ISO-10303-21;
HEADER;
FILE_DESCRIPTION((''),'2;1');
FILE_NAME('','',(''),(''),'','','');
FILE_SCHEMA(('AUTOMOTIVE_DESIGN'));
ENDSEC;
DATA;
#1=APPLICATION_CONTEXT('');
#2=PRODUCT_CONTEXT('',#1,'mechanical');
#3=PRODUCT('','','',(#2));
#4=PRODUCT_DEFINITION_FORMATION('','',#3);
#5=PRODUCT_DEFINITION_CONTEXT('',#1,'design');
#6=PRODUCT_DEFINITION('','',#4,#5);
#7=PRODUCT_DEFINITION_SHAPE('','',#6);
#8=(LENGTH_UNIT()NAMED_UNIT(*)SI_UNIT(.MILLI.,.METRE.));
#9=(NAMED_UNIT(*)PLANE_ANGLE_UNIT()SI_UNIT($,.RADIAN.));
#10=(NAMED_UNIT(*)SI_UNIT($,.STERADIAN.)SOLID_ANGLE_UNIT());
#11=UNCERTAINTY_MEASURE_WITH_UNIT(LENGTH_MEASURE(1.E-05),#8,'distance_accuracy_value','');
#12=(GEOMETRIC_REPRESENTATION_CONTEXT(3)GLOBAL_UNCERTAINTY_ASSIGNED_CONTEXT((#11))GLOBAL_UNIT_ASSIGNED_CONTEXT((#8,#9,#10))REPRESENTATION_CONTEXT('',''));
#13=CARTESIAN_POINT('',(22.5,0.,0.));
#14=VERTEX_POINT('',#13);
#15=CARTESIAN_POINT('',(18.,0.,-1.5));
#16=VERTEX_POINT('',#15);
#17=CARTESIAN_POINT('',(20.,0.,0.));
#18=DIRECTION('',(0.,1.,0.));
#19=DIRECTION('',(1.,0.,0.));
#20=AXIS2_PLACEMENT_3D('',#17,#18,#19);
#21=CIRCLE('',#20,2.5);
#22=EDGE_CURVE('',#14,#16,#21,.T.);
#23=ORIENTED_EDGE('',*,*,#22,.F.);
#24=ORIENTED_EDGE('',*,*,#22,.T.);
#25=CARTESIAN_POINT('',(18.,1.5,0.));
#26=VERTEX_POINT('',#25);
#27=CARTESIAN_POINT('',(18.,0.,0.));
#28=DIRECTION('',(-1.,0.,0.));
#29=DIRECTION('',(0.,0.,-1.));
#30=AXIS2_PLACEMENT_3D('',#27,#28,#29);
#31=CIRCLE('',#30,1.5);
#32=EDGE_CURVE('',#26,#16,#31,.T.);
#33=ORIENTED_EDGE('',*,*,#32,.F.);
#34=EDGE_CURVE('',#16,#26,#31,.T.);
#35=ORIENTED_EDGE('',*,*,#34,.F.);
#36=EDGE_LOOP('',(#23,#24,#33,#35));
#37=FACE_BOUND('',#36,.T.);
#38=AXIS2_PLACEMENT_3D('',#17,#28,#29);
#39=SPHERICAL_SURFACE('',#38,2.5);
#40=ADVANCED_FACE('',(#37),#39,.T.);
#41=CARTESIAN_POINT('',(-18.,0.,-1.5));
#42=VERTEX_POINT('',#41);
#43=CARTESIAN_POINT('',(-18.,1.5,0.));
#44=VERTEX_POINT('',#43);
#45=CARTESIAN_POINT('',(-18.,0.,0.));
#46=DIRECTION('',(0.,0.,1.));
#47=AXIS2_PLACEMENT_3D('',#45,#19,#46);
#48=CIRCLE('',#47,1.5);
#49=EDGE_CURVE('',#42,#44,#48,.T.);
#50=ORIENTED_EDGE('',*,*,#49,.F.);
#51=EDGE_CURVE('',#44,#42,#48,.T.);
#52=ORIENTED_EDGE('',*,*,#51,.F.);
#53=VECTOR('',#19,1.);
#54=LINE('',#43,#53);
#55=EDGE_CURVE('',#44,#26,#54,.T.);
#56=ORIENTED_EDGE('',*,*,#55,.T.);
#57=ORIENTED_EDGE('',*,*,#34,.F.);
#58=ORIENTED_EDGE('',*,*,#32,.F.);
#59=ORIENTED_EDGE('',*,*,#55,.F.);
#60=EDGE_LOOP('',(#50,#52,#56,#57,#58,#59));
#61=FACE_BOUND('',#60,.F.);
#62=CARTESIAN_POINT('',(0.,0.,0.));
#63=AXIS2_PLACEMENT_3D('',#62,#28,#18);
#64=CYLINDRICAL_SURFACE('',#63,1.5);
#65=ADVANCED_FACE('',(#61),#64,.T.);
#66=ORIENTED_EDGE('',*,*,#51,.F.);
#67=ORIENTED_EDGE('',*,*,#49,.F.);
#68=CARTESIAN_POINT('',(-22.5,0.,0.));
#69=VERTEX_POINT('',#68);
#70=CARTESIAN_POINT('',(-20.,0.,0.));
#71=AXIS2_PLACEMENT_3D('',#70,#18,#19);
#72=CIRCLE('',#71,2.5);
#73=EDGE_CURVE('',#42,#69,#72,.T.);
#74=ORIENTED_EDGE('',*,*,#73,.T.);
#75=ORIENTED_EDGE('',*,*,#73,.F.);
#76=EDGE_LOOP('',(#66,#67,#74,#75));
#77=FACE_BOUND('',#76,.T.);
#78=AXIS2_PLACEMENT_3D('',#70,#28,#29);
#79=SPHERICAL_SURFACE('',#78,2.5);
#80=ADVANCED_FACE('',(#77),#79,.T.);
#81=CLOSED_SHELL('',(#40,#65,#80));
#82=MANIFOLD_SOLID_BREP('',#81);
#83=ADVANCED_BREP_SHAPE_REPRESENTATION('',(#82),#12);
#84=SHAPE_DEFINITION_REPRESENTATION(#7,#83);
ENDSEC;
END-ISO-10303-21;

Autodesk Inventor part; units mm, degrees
ref_plane "YZ Plane" through (0, 0, 0) normal (1, 0, 0) x (0, 1, 0)
ref_plane "XZ Plane" through (0, 0, 0) normal (0, 1, 0) x (-1, 0, 0)
ref_plane "XY Plane" through (0, 0, 0) normal (0, 0, 1) x (1, 0, 0)
sketch "Sketch1" plane through (0, 0, 0) normal (1, 0, 0) x (0, 1, 0)
  circle A0 centre (0, 0) radius 1.5
  dimension "d0" = 3
extrude "Extrusion1" add sketch "Sketch1" along normal mid plane 40
sketch "Sketch2" plane through (0, 0, 0) normal (0, 1, 0) x (-1, 0, 0)
  line L0 (20, -1.5) -> (20, 1.5) projected
  arc A0 (17.5, 0) -> (22.5, 0) centre (20, 0) ccw
  line L1 (-20, 1.5) -> (-20, -1.5) projected
  arc A1 (-22.5, 0) -> (-17.5, 0) centre (-20, 0) ccw
  line L2 (22.5, 0) -> (17.5, 0)
  line L3 (-17.5, 0) -> (-22.5, 0)
  line L4 (28.1504, 0) -> (39.5564, 0) construction
  point P0 (0, 0)
  dimension "d3" = 5
  dimension "d4" = 5
revolve "Revolution1" add sketch "Sketch2" angle 360 about axis through (-28.1504, 0, 0) along (-1, 0, 0)
thread "Thread1" size "M3x0.5" class "6g" standard "ANSI Metric M Profile" full length
sketch "Sketch3" plane through (0, 0, 0) normal (1, 0, 0) x (0, 1, 0)
  line L0 (-5, -5) -> (5, -5)
  line L1 (5, -5) -> (5, 5)
  line L2 (5, 5) -> (-5, 5)
  line L3 (-5, 5) -> (-5, -5)
  line L4 (-5, -5) -> (5, 5) construction
  line L5 (5, -5) -> (-5, 5) construction
  point P0 (0, 0)
  dimension "d8" = 10
  dimension "d9" = 10
ref_plane "Work Plane1" through (0, 5, -5) normal (-1, 0, 0) x (0, 0, 1)
properties part number "crossbar"
